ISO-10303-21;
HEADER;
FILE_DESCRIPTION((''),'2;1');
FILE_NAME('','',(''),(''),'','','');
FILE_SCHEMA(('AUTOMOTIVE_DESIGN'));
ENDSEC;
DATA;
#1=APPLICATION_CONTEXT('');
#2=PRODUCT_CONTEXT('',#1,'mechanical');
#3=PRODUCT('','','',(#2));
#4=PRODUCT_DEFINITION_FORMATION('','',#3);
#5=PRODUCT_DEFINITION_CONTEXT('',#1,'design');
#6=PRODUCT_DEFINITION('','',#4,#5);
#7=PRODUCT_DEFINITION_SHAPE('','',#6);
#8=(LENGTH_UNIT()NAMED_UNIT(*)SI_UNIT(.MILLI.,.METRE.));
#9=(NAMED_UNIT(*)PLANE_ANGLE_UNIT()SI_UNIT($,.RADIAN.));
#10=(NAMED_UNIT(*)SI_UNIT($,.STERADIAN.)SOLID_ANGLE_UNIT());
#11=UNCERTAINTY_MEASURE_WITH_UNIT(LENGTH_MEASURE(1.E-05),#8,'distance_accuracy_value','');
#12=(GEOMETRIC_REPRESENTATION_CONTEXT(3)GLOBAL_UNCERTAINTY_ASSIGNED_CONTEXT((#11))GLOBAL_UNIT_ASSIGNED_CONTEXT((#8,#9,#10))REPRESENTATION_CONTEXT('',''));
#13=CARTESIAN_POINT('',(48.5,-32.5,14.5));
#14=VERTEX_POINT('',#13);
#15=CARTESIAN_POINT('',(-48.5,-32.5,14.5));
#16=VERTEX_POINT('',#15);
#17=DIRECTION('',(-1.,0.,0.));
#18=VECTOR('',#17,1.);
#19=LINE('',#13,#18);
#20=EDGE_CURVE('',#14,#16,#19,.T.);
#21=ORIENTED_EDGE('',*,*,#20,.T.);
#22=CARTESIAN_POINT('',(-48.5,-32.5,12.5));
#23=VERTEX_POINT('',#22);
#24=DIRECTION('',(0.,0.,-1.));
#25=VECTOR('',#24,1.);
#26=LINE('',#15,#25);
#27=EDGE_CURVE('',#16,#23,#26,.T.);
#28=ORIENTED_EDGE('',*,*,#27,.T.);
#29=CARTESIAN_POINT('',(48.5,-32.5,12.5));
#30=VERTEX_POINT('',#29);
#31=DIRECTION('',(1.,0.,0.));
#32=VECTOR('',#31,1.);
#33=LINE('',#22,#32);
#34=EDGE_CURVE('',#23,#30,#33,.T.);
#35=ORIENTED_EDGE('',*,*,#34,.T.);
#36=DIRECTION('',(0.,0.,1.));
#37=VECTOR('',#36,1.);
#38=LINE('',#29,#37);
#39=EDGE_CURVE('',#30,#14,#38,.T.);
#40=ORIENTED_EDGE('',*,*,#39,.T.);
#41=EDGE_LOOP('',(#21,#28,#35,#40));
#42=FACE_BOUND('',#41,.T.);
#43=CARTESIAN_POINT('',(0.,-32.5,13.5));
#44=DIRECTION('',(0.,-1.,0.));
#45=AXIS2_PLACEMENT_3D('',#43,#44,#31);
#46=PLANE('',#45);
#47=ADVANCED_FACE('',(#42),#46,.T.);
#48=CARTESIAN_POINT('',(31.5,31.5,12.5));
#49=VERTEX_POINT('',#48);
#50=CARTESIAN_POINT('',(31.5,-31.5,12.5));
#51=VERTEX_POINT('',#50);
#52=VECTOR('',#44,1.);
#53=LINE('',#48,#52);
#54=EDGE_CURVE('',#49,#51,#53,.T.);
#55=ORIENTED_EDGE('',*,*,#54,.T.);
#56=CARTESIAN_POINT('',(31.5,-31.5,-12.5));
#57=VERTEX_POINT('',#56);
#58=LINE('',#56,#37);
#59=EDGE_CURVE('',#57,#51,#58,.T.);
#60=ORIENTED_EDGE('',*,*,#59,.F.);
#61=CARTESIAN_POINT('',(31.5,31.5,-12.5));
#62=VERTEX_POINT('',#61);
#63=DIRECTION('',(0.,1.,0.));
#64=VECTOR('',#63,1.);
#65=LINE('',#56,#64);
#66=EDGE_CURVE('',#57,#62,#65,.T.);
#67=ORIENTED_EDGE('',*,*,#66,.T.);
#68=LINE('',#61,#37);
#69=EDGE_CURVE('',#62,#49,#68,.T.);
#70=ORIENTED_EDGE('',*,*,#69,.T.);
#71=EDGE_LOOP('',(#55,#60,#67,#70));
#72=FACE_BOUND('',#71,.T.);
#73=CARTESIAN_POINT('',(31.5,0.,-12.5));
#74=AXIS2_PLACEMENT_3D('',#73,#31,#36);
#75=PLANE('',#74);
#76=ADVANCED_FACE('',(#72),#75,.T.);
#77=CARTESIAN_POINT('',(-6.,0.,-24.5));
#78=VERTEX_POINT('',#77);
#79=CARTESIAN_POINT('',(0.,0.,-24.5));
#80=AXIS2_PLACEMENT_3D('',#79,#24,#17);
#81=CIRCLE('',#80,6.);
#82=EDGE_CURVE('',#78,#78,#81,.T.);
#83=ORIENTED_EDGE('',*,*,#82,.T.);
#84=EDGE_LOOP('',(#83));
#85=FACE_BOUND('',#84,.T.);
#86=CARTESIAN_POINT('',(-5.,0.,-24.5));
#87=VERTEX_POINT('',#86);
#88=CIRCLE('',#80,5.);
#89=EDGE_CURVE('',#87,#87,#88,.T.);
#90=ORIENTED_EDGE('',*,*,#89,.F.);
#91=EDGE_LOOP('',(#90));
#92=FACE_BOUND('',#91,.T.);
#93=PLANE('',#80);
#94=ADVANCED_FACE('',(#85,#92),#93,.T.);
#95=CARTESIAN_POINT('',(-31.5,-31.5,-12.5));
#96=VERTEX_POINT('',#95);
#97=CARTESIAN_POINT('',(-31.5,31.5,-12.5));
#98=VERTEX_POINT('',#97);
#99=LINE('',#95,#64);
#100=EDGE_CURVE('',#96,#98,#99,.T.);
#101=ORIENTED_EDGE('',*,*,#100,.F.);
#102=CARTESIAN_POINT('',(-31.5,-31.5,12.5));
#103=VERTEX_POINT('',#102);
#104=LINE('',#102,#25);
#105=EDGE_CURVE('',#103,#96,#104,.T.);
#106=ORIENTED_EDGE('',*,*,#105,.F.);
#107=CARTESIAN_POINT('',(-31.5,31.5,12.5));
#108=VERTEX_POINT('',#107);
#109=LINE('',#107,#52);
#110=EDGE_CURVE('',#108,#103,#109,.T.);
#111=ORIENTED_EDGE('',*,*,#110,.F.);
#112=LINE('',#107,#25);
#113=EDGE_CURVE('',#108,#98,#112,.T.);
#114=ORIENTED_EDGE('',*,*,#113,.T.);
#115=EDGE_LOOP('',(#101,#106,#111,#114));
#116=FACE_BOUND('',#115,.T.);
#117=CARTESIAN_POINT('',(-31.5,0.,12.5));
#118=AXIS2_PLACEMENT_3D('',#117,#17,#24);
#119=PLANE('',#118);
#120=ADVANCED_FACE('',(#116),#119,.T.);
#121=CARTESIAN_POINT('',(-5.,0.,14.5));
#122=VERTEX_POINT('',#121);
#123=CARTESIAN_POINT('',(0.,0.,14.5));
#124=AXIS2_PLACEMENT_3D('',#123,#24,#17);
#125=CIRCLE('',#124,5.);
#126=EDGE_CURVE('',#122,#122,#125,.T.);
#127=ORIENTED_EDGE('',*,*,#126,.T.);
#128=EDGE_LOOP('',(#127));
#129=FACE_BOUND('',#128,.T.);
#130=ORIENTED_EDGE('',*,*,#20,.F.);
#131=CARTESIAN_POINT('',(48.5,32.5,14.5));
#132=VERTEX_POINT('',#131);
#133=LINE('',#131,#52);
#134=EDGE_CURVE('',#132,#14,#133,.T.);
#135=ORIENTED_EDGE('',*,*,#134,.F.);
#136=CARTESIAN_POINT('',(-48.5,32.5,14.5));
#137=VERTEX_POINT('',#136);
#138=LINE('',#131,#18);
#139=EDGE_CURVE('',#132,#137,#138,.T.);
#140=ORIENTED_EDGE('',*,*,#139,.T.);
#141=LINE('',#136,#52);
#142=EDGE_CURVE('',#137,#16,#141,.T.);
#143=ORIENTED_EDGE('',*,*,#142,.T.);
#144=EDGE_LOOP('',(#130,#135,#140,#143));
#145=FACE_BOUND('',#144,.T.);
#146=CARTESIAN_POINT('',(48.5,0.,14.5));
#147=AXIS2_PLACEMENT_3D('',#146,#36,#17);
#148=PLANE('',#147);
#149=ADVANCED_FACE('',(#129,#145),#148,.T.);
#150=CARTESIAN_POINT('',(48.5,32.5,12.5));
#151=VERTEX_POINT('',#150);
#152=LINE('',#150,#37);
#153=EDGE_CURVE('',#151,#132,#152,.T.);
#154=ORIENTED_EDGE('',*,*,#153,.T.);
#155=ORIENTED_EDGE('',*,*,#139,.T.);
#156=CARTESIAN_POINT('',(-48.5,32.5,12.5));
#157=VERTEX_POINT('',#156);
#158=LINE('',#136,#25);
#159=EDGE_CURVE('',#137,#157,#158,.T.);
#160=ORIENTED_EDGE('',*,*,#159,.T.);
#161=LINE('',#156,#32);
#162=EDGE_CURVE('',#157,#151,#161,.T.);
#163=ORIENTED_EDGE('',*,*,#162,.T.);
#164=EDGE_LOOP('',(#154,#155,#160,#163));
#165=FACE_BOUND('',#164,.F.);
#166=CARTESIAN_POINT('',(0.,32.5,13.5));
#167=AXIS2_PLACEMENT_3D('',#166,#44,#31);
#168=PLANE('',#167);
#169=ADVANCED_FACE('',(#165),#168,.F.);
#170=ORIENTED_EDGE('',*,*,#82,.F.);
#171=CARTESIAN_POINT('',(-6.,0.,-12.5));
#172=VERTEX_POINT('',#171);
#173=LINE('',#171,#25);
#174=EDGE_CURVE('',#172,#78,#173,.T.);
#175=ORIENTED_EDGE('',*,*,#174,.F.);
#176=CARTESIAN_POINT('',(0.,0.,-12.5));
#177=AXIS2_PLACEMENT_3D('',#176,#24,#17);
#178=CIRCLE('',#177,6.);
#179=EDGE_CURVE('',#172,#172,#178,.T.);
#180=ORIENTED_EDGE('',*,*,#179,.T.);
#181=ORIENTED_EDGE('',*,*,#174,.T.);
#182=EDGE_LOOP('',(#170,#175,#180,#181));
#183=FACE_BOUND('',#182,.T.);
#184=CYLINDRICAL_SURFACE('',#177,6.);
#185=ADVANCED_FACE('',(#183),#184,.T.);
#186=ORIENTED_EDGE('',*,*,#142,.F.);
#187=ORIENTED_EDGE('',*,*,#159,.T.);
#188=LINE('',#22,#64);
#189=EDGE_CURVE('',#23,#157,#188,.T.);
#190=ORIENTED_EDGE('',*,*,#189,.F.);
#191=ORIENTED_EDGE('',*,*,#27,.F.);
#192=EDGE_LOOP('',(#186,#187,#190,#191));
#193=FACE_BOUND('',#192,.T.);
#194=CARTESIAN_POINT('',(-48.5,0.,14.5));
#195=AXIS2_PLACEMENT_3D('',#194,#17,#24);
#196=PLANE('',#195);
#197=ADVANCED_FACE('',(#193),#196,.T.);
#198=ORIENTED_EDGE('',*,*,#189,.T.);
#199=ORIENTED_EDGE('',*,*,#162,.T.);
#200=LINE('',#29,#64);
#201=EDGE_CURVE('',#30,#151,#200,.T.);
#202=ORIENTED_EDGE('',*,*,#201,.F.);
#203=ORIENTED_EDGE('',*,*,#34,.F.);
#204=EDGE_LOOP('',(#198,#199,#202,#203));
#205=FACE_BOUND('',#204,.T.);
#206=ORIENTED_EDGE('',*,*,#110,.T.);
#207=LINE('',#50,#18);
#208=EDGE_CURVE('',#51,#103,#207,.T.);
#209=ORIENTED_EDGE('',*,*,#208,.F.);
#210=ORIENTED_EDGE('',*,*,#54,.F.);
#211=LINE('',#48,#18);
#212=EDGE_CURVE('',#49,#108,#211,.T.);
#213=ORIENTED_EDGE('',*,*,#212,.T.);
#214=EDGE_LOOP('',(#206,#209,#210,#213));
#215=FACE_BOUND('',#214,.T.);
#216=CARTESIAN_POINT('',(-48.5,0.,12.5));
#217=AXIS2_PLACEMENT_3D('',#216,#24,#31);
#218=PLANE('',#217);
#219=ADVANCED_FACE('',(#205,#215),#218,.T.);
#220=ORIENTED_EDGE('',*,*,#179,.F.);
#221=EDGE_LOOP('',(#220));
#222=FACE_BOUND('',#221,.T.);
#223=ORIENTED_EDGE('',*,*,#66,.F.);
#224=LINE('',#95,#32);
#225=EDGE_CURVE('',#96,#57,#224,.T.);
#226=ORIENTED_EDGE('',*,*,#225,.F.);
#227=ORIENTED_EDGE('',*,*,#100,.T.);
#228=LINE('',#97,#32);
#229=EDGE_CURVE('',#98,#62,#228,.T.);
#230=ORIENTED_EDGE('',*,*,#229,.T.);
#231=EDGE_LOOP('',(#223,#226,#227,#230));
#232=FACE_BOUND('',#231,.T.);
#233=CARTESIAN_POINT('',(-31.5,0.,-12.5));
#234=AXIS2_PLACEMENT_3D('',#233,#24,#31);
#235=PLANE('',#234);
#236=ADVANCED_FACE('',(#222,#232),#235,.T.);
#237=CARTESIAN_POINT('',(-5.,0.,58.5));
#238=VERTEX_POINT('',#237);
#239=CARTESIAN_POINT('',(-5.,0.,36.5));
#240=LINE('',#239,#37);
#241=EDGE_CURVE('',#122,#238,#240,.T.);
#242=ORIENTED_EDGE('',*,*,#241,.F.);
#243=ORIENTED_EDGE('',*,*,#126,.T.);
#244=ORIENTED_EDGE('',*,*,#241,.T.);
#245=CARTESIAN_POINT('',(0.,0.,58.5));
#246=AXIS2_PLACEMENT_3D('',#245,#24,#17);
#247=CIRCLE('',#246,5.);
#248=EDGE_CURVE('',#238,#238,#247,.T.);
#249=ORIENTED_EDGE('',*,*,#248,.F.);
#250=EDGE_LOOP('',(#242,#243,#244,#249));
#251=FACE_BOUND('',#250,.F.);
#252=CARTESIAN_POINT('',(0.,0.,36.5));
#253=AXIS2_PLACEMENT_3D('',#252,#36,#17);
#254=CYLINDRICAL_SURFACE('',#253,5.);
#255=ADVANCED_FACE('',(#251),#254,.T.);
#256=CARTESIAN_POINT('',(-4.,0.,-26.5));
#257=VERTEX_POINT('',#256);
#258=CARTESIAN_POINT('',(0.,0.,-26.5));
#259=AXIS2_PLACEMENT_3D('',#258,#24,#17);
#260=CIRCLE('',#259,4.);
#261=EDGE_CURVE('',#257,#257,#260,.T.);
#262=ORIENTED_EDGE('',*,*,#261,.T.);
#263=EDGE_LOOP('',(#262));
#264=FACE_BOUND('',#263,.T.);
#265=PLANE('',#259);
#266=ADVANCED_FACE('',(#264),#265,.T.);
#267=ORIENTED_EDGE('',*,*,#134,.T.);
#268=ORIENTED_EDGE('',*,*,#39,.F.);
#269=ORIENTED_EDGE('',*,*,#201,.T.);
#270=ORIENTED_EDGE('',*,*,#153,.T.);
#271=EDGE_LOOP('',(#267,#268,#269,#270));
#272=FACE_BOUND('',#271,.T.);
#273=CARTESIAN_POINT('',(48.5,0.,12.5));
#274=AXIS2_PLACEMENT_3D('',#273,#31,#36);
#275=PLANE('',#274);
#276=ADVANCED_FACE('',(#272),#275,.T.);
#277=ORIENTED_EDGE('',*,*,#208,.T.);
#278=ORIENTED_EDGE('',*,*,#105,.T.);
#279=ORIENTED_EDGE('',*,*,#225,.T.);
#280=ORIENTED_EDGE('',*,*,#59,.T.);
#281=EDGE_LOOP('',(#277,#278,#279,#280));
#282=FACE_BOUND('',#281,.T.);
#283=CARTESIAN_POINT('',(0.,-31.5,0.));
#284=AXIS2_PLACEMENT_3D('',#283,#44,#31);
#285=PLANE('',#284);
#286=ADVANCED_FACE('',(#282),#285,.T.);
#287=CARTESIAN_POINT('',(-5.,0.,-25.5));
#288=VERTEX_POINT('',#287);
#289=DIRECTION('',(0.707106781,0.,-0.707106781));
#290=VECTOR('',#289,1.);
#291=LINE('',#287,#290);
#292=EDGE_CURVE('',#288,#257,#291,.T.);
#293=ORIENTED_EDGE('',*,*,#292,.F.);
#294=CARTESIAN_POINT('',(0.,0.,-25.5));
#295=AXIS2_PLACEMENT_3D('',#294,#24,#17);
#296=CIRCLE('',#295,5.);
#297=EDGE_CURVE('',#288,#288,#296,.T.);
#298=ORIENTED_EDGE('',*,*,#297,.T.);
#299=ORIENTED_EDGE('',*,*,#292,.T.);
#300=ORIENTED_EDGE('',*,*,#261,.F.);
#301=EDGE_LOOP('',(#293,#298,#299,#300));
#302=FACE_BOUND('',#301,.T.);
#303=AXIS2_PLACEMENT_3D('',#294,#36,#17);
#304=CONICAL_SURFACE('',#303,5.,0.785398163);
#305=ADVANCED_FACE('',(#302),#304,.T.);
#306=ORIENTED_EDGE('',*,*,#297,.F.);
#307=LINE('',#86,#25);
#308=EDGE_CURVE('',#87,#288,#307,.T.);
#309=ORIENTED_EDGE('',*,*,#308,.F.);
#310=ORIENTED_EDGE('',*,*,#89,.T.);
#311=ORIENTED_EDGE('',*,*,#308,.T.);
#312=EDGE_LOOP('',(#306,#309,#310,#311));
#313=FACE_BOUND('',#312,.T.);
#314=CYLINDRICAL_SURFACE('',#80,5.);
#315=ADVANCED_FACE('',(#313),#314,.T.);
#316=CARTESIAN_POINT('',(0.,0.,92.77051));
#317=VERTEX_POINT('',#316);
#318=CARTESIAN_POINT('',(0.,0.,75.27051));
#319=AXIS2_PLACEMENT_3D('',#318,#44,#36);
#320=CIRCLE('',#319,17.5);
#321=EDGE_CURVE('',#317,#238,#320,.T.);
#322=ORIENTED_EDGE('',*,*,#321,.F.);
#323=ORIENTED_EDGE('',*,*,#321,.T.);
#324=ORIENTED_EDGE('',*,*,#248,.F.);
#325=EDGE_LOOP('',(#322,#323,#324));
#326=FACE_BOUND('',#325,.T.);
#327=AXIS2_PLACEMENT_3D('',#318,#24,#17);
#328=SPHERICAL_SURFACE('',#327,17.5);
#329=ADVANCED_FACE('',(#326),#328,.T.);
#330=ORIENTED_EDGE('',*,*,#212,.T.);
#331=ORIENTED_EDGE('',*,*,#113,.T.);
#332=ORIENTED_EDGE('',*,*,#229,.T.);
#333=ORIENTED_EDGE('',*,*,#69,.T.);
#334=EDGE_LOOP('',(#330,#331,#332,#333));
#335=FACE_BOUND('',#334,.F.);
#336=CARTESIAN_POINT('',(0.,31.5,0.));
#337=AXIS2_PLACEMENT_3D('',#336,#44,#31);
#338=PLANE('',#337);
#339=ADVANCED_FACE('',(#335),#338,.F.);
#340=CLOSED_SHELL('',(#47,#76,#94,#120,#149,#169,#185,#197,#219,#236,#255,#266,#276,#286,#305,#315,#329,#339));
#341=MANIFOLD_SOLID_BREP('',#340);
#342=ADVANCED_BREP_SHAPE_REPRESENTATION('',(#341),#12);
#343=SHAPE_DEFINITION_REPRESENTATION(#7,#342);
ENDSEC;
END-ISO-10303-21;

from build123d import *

# Parameters (mm, degrees)
F0_W     = 5
F0_H     = 44
F2_SIZE  = 1
F3_DEPTH = 32.5
F4_DEPTH = 31.5


with BuildPart() as f1:
    # F0 (on Front) → F1 (revolve)
    with BuildSketch(Plane.XZ):
        with Locations((-2.5, 36.5)):
            Rectangle(F0_W, F0_H)
        with BuildLine():
            Line((-5, 58.5), (0, 58.5))
            Line((0, 58.5), (0, 92.7705098312))
            ThreePointArc((0, 92.7705098312), (-17.3166671454, 77.7969775189), (-5, 58.5))
        make_face()
    revolve(axis=Axis((0, 0, 75.6352549156), (0, 0, -1)))

    # F0 (on Front) → F3 (join, symmetric)
    with BuildSketch(Plane.XZ):
        Polygon((-31.5, 12.5), (31.5, 12.5), (48.5, 12.5), (48.5, 14.5), (0, 14.5), (-5, 14.5), (-48.5, 14.5), (-48.5, 12.5), align=None)
    extrude(amount=F3_DEPTH, both=True)



with BuildPart() as f1b:
    # F0 (on Front) → F1, piece 2 (revolve)
    with BuildSketch(Plane.XZ):
        Polygon((0, -26.5), (0, -12.5), (-6, -12.5), (-6, -24.5), (-5, -24.5), (-5, -26.5), align=None)
    revolve(axis=Axis((0, 0, 75.6352549156), (0, 0, -1)))

    # F2
    f2_edges = [f1b.edges().sort_by_distance(p)[0] for p in [
        (5, 0, -26.5),
    ]]
    chamfer(f2_edges, length=F2_SIZE)


with BuildPart() as f1_1:
    add(f1.part)

    add(f1b.part)  # F4 merges F1b
    # F0 (on Front) → F4 (join, symmetric)
    with BuildSketch(Plane.XZ):
        Polygon((0, -12.5), (31.5, -12.5), (31.5, 12.5), (-31.5, 12.5), (-31.5, -12.5), (-6, -12.5), align=None)
    extrude(amount=F4_DEPTH, both=True)


solid = f1_1.part
